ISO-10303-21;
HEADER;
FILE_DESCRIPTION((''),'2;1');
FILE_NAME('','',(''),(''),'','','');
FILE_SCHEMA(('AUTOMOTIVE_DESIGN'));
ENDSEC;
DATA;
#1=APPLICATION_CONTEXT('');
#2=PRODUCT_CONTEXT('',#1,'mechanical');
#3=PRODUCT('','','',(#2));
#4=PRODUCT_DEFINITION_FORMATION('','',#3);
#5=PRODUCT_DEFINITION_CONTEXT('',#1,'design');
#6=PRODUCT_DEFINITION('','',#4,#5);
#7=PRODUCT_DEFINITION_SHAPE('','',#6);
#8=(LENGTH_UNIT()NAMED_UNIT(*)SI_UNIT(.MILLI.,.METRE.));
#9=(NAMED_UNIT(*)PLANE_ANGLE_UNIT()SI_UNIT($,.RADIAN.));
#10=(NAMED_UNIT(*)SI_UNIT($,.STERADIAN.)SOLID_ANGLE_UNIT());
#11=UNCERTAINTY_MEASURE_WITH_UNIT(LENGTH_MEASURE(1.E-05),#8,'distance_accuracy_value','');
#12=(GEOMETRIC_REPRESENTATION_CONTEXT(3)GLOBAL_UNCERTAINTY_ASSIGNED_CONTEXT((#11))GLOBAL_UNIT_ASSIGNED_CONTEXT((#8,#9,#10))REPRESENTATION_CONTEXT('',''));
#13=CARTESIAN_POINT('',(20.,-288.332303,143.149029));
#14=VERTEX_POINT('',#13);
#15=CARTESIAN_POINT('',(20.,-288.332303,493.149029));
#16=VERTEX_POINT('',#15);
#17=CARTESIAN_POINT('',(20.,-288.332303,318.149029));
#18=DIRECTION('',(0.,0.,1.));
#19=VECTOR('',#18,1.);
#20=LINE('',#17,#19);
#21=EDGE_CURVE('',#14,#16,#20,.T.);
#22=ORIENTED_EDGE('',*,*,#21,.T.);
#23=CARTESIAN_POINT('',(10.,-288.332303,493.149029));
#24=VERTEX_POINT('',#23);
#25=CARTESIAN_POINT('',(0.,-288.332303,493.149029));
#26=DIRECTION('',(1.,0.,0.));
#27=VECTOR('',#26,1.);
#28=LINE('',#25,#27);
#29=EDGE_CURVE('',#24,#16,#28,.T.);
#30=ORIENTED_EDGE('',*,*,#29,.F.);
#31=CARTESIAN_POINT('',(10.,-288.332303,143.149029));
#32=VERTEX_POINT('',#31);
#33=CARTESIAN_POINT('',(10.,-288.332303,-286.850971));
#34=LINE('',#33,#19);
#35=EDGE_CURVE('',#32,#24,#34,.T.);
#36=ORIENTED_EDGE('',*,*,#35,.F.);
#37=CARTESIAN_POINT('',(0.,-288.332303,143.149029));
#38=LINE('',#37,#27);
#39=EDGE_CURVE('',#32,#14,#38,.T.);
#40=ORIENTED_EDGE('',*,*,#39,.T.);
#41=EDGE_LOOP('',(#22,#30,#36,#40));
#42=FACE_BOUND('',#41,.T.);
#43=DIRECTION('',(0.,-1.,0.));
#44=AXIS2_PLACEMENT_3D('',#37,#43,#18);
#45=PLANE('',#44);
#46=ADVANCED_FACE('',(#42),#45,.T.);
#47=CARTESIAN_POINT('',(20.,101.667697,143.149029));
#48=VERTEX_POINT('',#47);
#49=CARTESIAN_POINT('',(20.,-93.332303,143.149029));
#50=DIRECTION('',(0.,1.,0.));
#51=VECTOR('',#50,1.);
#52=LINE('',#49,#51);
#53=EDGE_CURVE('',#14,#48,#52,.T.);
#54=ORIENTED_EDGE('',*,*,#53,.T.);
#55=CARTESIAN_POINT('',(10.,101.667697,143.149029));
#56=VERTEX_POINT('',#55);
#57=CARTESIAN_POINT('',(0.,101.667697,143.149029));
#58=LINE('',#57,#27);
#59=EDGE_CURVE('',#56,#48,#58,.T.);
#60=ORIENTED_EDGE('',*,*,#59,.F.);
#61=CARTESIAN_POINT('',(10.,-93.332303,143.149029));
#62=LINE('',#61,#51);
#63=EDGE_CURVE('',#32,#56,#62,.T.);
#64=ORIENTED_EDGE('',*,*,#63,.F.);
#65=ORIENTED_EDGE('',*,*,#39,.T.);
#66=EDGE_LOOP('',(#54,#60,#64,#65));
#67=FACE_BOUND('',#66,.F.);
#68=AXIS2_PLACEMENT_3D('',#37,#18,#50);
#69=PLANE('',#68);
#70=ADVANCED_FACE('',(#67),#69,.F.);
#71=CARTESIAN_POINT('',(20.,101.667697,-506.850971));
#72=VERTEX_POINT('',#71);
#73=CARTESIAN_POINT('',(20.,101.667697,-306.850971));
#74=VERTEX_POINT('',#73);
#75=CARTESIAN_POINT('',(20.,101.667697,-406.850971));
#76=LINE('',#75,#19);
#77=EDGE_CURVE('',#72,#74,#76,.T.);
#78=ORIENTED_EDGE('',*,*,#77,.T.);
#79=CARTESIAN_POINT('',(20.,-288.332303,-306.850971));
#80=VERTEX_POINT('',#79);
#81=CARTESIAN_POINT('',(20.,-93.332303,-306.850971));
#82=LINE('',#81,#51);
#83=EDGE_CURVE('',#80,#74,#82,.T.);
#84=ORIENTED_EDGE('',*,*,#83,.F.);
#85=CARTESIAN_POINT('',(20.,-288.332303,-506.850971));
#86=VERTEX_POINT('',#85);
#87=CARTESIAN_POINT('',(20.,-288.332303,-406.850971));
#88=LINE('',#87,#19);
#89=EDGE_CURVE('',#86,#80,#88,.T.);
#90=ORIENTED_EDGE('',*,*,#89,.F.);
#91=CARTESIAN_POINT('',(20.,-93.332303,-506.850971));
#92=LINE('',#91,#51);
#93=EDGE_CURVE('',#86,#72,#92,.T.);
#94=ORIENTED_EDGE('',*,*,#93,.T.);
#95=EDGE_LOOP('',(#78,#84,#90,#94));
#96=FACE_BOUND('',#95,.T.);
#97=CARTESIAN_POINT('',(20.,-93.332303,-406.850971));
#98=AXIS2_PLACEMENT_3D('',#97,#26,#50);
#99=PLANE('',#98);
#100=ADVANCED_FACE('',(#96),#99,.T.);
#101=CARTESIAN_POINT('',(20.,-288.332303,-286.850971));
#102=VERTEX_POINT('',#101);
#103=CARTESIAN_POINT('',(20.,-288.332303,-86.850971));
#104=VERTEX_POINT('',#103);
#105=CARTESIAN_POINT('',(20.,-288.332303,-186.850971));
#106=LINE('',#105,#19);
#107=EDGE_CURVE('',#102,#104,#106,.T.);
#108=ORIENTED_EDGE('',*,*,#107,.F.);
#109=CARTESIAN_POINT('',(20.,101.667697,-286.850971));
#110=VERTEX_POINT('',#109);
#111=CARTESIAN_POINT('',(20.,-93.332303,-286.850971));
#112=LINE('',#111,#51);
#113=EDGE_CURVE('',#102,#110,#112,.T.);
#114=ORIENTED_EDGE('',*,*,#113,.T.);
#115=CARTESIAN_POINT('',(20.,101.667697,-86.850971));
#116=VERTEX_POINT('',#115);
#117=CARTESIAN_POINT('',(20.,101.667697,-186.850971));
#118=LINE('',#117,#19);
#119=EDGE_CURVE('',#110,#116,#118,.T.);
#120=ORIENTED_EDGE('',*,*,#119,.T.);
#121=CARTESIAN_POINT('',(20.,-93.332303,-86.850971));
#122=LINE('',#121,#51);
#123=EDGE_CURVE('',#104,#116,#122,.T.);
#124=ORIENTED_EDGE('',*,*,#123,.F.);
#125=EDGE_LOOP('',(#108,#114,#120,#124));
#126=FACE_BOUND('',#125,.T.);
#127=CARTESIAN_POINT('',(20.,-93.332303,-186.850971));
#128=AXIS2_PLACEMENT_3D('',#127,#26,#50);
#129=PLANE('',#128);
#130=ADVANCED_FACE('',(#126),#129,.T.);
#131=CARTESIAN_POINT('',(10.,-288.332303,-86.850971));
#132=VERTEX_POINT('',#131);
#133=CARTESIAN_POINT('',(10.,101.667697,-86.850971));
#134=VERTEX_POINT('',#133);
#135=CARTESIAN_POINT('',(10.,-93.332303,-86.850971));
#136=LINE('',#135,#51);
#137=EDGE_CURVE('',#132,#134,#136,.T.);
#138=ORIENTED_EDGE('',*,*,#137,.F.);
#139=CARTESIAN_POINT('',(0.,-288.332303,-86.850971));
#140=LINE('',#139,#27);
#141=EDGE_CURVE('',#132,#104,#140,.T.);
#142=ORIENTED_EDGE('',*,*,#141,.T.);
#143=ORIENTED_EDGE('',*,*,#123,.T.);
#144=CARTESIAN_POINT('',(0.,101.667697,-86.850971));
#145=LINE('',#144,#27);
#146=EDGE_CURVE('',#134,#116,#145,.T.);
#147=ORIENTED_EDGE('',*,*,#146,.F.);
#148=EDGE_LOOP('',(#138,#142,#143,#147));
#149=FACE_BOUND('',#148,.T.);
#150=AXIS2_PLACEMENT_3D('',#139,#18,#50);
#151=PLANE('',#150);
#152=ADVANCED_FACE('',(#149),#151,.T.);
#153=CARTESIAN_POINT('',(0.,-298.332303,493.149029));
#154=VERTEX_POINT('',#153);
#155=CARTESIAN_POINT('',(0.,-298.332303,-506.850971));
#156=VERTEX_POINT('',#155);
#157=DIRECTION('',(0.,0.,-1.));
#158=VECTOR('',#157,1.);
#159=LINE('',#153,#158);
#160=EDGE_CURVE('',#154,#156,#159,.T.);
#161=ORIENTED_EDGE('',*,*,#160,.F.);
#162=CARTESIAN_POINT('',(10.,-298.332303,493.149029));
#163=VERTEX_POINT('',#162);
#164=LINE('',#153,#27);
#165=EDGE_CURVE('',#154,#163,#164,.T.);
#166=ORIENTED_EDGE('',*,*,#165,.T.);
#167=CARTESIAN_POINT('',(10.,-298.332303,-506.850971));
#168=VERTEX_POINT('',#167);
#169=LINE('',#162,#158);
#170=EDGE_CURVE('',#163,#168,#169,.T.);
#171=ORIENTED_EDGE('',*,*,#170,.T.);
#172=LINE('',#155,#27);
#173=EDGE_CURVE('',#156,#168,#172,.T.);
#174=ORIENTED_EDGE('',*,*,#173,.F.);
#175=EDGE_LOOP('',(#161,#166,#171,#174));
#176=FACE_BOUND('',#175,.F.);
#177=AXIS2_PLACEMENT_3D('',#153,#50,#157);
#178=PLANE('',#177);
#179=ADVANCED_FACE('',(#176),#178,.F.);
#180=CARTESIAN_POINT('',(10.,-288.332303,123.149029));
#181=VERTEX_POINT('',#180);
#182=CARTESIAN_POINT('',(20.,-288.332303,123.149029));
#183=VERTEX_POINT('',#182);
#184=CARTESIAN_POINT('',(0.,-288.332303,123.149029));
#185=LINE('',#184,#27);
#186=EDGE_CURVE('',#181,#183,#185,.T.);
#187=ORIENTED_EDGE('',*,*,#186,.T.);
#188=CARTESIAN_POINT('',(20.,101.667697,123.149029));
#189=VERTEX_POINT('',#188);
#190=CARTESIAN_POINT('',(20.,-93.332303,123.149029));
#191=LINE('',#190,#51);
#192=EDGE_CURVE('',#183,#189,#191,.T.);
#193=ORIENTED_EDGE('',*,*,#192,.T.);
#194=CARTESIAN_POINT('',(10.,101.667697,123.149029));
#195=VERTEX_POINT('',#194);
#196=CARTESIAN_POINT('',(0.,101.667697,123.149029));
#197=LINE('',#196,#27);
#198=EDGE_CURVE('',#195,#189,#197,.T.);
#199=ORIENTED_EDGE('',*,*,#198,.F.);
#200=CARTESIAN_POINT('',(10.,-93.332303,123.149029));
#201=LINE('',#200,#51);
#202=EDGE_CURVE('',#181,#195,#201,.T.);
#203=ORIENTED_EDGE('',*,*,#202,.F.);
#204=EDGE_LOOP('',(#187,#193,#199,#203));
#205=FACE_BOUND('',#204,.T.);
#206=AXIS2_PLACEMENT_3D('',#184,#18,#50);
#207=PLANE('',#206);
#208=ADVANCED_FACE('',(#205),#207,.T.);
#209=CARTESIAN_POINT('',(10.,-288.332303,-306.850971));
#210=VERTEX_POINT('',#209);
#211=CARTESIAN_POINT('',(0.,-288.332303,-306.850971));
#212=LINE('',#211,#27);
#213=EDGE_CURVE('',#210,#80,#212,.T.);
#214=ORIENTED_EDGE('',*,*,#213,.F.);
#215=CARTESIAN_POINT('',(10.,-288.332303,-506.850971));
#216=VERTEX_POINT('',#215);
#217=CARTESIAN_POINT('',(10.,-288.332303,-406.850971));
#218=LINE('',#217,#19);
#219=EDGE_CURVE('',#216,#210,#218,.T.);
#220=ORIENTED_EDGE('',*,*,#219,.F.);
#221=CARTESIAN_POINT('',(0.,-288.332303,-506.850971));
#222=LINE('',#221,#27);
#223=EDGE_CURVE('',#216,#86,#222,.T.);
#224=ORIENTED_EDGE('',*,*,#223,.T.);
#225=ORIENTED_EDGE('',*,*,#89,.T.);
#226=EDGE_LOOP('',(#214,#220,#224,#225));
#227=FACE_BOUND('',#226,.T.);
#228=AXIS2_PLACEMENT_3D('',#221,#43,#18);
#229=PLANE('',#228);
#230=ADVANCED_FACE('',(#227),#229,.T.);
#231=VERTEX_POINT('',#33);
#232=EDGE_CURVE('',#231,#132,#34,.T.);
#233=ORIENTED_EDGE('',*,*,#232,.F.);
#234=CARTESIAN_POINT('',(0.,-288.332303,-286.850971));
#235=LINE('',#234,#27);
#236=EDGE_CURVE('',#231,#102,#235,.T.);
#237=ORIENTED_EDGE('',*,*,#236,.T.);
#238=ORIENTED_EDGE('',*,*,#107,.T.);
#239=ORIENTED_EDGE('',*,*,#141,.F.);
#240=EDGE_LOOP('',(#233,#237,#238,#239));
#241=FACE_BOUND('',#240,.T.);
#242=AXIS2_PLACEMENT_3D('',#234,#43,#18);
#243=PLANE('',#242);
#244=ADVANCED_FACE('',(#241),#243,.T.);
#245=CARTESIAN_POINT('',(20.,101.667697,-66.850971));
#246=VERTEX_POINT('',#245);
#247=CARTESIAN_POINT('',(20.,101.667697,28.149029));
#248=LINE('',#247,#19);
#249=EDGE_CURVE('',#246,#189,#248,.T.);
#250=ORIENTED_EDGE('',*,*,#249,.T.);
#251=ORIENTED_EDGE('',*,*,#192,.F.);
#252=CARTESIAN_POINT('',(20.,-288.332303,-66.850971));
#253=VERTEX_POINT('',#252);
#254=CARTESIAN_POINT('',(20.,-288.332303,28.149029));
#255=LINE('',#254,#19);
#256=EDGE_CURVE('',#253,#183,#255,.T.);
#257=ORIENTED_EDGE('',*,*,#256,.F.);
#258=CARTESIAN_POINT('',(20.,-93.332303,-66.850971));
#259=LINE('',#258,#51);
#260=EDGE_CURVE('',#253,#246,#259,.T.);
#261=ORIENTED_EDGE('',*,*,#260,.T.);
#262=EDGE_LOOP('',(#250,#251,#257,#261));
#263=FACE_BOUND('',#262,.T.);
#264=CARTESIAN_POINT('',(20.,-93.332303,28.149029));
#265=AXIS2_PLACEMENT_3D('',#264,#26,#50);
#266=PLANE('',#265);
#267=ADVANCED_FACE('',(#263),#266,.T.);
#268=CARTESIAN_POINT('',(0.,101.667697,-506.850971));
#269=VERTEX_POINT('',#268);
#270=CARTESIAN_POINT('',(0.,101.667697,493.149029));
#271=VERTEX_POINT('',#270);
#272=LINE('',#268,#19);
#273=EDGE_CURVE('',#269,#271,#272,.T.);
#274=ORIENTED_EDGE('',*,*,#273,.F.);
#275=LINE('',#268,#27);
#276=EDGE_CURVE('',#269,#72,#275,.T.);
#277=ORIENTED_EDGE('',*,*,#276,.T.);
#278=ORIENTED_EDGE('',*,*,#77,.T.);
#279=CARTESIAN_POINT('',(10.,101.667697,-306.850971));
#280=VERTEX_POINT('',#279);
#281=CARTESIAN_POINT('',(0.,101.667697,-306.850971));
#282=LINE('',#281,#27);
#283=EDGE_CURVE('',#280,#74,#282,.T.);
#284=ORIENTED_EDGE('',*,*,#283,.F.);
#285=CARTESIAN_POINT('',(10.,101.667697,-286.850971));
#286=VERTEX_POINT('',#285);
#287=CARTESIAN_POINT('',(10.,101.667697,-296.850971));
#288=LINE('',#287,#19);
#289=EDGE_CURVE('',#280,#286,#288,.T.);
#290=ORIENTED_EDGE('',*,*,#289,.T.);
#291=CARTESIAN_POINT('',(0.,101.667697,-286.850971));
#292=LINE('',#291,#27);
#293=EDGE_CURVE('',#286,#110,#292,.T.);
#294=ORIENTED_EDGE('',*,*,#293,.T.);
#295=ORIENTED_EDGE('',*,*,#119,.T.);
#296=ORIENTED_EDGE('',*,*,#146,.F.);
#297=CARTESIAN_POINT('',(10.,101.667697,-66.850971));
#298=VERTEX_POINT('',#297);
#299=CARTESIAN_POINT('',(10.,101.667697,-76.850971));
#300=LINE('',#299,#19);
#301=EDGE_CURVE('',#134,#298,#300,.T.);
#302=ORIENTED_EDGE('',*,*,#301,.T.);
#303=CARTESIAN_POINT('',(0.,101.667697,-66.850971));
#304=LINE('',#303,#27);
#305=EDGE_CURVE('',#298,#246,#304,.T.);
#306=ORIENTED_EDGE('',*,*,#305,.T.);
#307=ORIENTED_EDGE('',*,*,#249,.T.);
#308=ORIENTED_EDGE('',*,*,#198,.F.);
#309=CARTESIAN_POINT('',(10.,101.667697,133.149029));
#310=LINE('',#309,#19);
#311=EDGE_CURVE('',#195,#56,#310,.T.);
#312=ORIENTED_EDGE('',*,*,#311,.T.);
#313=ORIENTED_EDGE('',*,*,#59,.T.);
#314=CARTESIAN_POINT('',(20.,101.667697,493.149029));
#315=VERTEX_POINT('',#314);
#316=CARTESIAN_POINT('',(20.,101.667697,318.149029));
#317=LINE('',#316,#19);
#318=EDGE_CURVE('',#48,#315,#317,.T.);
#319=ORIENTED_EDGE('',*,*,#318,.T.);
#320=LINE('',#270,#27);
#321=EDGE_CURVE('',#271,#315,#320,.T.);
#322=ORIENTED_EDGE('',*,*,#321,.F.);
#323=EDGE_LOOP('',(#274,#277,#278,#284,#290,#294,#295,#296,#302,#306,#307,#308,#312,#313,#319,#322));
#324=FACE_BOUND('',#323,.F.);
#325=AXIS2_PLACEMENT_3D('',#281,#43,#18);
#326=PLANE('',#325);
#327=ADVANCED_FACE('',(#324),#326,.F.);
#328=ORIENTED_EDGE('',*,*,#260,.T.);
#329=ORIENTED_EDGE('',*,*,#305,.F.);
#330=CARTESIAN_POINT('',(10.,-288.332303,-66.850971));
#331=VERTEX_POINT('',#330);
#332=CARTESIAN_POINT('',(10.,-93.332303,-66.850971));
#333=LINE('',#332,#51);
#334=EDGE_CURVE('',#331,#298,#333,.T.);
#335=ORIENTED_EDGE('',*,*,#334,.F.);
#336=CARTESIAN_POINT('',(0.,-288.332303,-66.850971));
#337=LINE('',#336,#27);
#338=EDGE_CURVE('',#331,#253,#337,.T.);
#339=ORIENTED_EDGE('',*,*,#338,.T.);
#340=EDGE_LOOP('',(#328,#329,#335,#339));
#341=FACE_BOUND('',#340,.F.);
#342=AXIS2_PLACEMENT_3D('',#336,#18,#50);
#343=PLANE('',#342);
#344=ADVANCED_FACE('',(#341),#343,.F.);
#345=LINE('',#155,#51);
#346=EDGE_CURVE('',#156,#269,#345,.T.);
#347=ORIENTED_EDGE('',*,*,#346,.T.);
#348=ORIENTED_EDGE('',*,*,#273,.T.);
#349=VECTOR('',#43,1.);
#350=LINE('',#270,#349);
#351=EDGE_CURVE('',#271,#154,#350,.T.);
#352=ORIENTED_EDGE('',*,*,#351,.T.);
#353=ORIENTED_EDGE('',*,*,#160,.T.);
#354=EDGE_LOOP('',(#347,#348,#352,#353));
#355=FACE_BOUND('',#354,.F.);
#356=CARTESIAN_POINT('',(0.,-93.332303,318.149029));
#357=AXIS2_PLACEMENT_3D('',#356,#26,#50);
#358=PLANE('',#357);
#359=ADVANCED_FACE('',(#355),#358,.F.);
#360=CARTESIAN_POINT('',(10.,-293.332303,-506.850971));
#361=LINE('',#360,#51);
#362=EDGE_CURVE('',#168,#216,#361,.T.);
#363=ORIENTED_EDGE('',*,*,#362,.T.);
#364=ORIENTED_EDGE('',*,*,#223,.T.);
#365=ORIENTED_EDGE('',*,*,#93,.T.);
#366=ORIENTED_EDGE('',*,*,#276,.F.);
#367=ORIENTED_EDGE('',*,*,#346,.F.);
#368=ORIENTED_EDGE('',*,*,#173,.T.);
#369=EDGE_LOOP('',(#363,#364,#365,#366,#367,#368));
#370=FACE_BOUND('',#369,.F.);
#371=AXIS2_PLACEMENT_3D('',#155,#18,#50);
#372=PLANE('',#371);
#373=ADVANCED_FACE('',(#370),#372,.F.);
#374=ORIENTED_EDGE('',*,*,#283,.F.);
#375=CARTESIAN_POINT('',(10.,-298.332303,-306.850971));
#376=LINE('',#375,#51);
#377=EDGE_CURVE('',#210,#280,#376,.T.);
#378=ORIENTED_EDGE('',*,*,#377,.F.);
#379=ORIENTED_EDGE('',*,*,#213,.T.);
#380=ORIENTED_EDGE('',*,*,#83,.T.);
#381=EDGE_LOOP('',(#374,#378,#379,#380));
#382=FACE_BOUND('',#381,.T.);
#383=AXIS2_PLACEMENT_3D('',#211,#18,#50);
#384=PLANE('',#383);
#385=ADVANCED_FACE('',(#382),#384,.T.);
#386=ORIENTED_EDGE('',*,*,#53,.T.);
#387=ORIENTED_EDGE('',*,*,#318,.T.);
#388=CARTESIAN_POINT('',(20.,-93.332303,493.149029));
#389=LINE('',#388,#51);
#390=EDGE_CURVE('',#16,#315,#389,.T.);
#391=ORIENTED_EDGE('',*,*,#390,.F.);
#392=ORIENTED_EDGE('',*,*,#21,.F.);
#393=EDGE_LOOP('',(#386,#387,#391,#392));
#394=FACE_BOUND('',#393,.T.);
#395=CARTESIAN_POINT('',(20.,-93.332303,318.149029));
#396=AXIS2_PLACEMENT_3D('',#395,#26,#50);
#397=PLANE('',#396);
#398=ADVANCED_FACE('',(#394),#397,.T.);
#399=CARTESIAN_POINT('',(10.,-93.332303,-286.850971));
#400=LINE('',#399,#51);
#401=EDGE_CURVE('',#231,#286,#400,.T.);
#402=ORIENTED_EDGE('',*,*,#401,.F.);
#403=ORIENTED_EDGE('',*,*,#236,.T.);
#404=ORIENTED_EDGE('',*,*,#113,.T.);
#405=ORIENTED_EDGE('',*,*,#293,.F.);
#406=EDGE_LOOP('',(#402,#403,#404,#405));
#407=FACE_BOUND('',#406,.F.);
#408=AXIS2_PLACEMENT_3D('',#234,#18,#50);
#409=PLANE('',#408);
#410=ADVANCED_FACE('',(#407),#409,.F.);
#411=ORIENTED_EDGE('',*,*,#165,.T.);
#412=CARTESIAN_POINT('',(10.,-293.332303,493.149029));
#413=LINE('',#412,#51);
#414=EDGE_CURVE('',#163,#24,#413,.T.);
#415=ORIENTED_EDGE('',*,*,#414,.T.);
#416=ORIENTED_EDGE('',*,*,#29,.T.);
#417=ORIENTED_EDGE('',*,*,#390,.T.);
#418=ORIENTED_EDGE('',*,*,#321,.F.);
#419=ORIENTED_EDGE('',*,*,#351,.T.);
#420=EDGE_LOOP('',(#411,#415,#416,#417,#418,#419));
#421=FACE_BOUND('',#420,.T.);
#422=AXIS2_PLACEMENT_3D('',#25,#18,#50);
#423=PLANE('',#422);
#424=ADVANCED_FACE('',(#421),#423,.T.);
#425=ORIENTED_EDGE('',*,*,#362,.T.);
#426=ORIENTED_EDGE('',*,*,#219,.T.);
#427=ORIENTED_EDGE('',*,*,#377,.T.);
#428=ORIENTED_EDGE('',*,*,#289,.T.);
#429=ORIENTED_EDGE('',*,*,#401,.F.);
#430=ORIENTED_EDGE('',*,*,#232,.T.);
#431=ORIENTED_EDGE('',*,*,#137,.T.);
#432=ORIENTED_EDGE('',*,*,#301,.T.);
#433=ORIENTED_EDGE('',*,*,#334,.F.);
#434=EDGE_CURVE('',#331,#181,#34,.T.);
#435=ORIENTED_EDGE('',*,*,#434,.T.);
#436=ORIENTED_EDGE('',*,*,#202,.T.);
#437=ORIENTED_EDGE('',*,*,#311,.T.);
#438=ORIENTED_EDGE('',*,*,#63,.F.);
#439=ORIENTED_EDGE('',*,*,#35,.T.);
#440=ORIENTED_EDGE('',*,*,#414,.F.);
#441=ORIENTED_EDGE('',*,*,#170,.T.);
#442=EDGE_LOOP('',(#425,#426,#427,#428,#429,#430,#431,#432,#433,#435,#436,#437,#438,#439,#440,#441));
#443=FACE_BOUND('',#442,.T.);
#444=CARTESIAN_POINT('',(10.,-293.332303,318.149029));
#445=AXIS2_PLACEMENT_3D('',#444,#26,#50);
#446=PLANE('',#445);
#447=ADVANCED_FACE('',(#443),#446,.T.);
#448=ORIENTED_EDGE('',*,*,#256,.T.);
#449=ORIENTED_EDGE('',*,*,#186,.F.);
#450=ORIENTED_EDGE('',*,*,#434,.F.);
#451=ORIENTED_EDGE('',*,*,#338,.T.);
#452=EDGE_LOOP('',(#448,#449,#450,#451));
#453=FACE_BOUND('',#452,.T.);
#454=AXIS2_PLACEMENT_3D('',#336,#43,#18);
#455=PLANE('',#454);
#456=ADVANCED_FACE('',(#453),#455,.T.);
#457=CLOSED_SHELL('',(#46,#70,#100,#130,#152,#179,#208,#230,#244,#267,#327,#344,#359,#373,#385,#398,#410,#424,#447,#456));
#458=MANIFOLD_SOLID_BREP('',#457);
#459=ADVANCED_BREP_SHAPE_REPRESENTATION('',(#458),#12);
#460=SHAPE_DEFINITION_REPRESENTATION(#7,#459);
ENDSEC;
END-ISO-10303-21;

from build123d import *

# Parameters (mm, degrees)
F0_W     = 10
F0_H     = 350
F0_H_2   = 20
F0_H_3   = 190
F0_H_4   = 200
F0_W_2   = 390
F1_DEPTH = 10
F2_DEPTH = 20


with BuildPart() as f1:
    # F0 (on Right) → F1 (new body)
    with BuildSketch(Plane.YZ):
        with Locations((-293.3323026407, 318.149029091)):
            Rectangle(F0_W, F0_H)
        with Locations((-293.3323026407, 133.149029091)):
            Rectangle(F0_W, F0_H_2)
        with Locations((-293.3323026407, 28.149029091)):
            Rectangle(F0_W, F0_H_3)
        with Locations((-293.3323026407, -76.850970909)):
            Rectangle(F0_W, F0_H_2)
        with Locations((-293.3323026407, -186.850970909)):
            Rectangle(F0_W, F0_H_4)
        with Locations((-93.3323026407, 133.149029091)):
            Rectangle(F0_W_2, F0_H_2)
        with Locations((-93.3323026407, -76.850970909)):
            Rectangle(F0_W_2, F0_H_2)
        with Locations((-93.3323026407, -296.850970909)):
            Rectangle(F0_W_2, F0_H_2)
        with Locations((-293.3323026407, -296.850970909)):
            Rectangle(F0_W, F0_H_2)
        with Locations((-293.3323026407, -406.850970909)):
            Rectangle(F0_W, F0_H_4)
    extrude(amount=F1_DEPTH)

    # F0 (on Right) → F2 (join)
    with BuildSketch(Plane.YZ):
        with Locations((-93.3323026407, 318.149029091)):
            Rectangle(F0_W_2, F0_H)
        with Locations((-93.3323026407, 28.149029091)):
            Rectangle(F0_W_2, F0_H_3)
        with Locations((-93.3323026407, -186.850970909)):
            Rectangle(F0_W_2, F0_H_4)
        with Locations((-93.3323026407, -406.850970909)):
            Rectangle(F0_W_2, F0_H_4)
    extrude(amount=F2_DEPTH)


solid = f1.part
